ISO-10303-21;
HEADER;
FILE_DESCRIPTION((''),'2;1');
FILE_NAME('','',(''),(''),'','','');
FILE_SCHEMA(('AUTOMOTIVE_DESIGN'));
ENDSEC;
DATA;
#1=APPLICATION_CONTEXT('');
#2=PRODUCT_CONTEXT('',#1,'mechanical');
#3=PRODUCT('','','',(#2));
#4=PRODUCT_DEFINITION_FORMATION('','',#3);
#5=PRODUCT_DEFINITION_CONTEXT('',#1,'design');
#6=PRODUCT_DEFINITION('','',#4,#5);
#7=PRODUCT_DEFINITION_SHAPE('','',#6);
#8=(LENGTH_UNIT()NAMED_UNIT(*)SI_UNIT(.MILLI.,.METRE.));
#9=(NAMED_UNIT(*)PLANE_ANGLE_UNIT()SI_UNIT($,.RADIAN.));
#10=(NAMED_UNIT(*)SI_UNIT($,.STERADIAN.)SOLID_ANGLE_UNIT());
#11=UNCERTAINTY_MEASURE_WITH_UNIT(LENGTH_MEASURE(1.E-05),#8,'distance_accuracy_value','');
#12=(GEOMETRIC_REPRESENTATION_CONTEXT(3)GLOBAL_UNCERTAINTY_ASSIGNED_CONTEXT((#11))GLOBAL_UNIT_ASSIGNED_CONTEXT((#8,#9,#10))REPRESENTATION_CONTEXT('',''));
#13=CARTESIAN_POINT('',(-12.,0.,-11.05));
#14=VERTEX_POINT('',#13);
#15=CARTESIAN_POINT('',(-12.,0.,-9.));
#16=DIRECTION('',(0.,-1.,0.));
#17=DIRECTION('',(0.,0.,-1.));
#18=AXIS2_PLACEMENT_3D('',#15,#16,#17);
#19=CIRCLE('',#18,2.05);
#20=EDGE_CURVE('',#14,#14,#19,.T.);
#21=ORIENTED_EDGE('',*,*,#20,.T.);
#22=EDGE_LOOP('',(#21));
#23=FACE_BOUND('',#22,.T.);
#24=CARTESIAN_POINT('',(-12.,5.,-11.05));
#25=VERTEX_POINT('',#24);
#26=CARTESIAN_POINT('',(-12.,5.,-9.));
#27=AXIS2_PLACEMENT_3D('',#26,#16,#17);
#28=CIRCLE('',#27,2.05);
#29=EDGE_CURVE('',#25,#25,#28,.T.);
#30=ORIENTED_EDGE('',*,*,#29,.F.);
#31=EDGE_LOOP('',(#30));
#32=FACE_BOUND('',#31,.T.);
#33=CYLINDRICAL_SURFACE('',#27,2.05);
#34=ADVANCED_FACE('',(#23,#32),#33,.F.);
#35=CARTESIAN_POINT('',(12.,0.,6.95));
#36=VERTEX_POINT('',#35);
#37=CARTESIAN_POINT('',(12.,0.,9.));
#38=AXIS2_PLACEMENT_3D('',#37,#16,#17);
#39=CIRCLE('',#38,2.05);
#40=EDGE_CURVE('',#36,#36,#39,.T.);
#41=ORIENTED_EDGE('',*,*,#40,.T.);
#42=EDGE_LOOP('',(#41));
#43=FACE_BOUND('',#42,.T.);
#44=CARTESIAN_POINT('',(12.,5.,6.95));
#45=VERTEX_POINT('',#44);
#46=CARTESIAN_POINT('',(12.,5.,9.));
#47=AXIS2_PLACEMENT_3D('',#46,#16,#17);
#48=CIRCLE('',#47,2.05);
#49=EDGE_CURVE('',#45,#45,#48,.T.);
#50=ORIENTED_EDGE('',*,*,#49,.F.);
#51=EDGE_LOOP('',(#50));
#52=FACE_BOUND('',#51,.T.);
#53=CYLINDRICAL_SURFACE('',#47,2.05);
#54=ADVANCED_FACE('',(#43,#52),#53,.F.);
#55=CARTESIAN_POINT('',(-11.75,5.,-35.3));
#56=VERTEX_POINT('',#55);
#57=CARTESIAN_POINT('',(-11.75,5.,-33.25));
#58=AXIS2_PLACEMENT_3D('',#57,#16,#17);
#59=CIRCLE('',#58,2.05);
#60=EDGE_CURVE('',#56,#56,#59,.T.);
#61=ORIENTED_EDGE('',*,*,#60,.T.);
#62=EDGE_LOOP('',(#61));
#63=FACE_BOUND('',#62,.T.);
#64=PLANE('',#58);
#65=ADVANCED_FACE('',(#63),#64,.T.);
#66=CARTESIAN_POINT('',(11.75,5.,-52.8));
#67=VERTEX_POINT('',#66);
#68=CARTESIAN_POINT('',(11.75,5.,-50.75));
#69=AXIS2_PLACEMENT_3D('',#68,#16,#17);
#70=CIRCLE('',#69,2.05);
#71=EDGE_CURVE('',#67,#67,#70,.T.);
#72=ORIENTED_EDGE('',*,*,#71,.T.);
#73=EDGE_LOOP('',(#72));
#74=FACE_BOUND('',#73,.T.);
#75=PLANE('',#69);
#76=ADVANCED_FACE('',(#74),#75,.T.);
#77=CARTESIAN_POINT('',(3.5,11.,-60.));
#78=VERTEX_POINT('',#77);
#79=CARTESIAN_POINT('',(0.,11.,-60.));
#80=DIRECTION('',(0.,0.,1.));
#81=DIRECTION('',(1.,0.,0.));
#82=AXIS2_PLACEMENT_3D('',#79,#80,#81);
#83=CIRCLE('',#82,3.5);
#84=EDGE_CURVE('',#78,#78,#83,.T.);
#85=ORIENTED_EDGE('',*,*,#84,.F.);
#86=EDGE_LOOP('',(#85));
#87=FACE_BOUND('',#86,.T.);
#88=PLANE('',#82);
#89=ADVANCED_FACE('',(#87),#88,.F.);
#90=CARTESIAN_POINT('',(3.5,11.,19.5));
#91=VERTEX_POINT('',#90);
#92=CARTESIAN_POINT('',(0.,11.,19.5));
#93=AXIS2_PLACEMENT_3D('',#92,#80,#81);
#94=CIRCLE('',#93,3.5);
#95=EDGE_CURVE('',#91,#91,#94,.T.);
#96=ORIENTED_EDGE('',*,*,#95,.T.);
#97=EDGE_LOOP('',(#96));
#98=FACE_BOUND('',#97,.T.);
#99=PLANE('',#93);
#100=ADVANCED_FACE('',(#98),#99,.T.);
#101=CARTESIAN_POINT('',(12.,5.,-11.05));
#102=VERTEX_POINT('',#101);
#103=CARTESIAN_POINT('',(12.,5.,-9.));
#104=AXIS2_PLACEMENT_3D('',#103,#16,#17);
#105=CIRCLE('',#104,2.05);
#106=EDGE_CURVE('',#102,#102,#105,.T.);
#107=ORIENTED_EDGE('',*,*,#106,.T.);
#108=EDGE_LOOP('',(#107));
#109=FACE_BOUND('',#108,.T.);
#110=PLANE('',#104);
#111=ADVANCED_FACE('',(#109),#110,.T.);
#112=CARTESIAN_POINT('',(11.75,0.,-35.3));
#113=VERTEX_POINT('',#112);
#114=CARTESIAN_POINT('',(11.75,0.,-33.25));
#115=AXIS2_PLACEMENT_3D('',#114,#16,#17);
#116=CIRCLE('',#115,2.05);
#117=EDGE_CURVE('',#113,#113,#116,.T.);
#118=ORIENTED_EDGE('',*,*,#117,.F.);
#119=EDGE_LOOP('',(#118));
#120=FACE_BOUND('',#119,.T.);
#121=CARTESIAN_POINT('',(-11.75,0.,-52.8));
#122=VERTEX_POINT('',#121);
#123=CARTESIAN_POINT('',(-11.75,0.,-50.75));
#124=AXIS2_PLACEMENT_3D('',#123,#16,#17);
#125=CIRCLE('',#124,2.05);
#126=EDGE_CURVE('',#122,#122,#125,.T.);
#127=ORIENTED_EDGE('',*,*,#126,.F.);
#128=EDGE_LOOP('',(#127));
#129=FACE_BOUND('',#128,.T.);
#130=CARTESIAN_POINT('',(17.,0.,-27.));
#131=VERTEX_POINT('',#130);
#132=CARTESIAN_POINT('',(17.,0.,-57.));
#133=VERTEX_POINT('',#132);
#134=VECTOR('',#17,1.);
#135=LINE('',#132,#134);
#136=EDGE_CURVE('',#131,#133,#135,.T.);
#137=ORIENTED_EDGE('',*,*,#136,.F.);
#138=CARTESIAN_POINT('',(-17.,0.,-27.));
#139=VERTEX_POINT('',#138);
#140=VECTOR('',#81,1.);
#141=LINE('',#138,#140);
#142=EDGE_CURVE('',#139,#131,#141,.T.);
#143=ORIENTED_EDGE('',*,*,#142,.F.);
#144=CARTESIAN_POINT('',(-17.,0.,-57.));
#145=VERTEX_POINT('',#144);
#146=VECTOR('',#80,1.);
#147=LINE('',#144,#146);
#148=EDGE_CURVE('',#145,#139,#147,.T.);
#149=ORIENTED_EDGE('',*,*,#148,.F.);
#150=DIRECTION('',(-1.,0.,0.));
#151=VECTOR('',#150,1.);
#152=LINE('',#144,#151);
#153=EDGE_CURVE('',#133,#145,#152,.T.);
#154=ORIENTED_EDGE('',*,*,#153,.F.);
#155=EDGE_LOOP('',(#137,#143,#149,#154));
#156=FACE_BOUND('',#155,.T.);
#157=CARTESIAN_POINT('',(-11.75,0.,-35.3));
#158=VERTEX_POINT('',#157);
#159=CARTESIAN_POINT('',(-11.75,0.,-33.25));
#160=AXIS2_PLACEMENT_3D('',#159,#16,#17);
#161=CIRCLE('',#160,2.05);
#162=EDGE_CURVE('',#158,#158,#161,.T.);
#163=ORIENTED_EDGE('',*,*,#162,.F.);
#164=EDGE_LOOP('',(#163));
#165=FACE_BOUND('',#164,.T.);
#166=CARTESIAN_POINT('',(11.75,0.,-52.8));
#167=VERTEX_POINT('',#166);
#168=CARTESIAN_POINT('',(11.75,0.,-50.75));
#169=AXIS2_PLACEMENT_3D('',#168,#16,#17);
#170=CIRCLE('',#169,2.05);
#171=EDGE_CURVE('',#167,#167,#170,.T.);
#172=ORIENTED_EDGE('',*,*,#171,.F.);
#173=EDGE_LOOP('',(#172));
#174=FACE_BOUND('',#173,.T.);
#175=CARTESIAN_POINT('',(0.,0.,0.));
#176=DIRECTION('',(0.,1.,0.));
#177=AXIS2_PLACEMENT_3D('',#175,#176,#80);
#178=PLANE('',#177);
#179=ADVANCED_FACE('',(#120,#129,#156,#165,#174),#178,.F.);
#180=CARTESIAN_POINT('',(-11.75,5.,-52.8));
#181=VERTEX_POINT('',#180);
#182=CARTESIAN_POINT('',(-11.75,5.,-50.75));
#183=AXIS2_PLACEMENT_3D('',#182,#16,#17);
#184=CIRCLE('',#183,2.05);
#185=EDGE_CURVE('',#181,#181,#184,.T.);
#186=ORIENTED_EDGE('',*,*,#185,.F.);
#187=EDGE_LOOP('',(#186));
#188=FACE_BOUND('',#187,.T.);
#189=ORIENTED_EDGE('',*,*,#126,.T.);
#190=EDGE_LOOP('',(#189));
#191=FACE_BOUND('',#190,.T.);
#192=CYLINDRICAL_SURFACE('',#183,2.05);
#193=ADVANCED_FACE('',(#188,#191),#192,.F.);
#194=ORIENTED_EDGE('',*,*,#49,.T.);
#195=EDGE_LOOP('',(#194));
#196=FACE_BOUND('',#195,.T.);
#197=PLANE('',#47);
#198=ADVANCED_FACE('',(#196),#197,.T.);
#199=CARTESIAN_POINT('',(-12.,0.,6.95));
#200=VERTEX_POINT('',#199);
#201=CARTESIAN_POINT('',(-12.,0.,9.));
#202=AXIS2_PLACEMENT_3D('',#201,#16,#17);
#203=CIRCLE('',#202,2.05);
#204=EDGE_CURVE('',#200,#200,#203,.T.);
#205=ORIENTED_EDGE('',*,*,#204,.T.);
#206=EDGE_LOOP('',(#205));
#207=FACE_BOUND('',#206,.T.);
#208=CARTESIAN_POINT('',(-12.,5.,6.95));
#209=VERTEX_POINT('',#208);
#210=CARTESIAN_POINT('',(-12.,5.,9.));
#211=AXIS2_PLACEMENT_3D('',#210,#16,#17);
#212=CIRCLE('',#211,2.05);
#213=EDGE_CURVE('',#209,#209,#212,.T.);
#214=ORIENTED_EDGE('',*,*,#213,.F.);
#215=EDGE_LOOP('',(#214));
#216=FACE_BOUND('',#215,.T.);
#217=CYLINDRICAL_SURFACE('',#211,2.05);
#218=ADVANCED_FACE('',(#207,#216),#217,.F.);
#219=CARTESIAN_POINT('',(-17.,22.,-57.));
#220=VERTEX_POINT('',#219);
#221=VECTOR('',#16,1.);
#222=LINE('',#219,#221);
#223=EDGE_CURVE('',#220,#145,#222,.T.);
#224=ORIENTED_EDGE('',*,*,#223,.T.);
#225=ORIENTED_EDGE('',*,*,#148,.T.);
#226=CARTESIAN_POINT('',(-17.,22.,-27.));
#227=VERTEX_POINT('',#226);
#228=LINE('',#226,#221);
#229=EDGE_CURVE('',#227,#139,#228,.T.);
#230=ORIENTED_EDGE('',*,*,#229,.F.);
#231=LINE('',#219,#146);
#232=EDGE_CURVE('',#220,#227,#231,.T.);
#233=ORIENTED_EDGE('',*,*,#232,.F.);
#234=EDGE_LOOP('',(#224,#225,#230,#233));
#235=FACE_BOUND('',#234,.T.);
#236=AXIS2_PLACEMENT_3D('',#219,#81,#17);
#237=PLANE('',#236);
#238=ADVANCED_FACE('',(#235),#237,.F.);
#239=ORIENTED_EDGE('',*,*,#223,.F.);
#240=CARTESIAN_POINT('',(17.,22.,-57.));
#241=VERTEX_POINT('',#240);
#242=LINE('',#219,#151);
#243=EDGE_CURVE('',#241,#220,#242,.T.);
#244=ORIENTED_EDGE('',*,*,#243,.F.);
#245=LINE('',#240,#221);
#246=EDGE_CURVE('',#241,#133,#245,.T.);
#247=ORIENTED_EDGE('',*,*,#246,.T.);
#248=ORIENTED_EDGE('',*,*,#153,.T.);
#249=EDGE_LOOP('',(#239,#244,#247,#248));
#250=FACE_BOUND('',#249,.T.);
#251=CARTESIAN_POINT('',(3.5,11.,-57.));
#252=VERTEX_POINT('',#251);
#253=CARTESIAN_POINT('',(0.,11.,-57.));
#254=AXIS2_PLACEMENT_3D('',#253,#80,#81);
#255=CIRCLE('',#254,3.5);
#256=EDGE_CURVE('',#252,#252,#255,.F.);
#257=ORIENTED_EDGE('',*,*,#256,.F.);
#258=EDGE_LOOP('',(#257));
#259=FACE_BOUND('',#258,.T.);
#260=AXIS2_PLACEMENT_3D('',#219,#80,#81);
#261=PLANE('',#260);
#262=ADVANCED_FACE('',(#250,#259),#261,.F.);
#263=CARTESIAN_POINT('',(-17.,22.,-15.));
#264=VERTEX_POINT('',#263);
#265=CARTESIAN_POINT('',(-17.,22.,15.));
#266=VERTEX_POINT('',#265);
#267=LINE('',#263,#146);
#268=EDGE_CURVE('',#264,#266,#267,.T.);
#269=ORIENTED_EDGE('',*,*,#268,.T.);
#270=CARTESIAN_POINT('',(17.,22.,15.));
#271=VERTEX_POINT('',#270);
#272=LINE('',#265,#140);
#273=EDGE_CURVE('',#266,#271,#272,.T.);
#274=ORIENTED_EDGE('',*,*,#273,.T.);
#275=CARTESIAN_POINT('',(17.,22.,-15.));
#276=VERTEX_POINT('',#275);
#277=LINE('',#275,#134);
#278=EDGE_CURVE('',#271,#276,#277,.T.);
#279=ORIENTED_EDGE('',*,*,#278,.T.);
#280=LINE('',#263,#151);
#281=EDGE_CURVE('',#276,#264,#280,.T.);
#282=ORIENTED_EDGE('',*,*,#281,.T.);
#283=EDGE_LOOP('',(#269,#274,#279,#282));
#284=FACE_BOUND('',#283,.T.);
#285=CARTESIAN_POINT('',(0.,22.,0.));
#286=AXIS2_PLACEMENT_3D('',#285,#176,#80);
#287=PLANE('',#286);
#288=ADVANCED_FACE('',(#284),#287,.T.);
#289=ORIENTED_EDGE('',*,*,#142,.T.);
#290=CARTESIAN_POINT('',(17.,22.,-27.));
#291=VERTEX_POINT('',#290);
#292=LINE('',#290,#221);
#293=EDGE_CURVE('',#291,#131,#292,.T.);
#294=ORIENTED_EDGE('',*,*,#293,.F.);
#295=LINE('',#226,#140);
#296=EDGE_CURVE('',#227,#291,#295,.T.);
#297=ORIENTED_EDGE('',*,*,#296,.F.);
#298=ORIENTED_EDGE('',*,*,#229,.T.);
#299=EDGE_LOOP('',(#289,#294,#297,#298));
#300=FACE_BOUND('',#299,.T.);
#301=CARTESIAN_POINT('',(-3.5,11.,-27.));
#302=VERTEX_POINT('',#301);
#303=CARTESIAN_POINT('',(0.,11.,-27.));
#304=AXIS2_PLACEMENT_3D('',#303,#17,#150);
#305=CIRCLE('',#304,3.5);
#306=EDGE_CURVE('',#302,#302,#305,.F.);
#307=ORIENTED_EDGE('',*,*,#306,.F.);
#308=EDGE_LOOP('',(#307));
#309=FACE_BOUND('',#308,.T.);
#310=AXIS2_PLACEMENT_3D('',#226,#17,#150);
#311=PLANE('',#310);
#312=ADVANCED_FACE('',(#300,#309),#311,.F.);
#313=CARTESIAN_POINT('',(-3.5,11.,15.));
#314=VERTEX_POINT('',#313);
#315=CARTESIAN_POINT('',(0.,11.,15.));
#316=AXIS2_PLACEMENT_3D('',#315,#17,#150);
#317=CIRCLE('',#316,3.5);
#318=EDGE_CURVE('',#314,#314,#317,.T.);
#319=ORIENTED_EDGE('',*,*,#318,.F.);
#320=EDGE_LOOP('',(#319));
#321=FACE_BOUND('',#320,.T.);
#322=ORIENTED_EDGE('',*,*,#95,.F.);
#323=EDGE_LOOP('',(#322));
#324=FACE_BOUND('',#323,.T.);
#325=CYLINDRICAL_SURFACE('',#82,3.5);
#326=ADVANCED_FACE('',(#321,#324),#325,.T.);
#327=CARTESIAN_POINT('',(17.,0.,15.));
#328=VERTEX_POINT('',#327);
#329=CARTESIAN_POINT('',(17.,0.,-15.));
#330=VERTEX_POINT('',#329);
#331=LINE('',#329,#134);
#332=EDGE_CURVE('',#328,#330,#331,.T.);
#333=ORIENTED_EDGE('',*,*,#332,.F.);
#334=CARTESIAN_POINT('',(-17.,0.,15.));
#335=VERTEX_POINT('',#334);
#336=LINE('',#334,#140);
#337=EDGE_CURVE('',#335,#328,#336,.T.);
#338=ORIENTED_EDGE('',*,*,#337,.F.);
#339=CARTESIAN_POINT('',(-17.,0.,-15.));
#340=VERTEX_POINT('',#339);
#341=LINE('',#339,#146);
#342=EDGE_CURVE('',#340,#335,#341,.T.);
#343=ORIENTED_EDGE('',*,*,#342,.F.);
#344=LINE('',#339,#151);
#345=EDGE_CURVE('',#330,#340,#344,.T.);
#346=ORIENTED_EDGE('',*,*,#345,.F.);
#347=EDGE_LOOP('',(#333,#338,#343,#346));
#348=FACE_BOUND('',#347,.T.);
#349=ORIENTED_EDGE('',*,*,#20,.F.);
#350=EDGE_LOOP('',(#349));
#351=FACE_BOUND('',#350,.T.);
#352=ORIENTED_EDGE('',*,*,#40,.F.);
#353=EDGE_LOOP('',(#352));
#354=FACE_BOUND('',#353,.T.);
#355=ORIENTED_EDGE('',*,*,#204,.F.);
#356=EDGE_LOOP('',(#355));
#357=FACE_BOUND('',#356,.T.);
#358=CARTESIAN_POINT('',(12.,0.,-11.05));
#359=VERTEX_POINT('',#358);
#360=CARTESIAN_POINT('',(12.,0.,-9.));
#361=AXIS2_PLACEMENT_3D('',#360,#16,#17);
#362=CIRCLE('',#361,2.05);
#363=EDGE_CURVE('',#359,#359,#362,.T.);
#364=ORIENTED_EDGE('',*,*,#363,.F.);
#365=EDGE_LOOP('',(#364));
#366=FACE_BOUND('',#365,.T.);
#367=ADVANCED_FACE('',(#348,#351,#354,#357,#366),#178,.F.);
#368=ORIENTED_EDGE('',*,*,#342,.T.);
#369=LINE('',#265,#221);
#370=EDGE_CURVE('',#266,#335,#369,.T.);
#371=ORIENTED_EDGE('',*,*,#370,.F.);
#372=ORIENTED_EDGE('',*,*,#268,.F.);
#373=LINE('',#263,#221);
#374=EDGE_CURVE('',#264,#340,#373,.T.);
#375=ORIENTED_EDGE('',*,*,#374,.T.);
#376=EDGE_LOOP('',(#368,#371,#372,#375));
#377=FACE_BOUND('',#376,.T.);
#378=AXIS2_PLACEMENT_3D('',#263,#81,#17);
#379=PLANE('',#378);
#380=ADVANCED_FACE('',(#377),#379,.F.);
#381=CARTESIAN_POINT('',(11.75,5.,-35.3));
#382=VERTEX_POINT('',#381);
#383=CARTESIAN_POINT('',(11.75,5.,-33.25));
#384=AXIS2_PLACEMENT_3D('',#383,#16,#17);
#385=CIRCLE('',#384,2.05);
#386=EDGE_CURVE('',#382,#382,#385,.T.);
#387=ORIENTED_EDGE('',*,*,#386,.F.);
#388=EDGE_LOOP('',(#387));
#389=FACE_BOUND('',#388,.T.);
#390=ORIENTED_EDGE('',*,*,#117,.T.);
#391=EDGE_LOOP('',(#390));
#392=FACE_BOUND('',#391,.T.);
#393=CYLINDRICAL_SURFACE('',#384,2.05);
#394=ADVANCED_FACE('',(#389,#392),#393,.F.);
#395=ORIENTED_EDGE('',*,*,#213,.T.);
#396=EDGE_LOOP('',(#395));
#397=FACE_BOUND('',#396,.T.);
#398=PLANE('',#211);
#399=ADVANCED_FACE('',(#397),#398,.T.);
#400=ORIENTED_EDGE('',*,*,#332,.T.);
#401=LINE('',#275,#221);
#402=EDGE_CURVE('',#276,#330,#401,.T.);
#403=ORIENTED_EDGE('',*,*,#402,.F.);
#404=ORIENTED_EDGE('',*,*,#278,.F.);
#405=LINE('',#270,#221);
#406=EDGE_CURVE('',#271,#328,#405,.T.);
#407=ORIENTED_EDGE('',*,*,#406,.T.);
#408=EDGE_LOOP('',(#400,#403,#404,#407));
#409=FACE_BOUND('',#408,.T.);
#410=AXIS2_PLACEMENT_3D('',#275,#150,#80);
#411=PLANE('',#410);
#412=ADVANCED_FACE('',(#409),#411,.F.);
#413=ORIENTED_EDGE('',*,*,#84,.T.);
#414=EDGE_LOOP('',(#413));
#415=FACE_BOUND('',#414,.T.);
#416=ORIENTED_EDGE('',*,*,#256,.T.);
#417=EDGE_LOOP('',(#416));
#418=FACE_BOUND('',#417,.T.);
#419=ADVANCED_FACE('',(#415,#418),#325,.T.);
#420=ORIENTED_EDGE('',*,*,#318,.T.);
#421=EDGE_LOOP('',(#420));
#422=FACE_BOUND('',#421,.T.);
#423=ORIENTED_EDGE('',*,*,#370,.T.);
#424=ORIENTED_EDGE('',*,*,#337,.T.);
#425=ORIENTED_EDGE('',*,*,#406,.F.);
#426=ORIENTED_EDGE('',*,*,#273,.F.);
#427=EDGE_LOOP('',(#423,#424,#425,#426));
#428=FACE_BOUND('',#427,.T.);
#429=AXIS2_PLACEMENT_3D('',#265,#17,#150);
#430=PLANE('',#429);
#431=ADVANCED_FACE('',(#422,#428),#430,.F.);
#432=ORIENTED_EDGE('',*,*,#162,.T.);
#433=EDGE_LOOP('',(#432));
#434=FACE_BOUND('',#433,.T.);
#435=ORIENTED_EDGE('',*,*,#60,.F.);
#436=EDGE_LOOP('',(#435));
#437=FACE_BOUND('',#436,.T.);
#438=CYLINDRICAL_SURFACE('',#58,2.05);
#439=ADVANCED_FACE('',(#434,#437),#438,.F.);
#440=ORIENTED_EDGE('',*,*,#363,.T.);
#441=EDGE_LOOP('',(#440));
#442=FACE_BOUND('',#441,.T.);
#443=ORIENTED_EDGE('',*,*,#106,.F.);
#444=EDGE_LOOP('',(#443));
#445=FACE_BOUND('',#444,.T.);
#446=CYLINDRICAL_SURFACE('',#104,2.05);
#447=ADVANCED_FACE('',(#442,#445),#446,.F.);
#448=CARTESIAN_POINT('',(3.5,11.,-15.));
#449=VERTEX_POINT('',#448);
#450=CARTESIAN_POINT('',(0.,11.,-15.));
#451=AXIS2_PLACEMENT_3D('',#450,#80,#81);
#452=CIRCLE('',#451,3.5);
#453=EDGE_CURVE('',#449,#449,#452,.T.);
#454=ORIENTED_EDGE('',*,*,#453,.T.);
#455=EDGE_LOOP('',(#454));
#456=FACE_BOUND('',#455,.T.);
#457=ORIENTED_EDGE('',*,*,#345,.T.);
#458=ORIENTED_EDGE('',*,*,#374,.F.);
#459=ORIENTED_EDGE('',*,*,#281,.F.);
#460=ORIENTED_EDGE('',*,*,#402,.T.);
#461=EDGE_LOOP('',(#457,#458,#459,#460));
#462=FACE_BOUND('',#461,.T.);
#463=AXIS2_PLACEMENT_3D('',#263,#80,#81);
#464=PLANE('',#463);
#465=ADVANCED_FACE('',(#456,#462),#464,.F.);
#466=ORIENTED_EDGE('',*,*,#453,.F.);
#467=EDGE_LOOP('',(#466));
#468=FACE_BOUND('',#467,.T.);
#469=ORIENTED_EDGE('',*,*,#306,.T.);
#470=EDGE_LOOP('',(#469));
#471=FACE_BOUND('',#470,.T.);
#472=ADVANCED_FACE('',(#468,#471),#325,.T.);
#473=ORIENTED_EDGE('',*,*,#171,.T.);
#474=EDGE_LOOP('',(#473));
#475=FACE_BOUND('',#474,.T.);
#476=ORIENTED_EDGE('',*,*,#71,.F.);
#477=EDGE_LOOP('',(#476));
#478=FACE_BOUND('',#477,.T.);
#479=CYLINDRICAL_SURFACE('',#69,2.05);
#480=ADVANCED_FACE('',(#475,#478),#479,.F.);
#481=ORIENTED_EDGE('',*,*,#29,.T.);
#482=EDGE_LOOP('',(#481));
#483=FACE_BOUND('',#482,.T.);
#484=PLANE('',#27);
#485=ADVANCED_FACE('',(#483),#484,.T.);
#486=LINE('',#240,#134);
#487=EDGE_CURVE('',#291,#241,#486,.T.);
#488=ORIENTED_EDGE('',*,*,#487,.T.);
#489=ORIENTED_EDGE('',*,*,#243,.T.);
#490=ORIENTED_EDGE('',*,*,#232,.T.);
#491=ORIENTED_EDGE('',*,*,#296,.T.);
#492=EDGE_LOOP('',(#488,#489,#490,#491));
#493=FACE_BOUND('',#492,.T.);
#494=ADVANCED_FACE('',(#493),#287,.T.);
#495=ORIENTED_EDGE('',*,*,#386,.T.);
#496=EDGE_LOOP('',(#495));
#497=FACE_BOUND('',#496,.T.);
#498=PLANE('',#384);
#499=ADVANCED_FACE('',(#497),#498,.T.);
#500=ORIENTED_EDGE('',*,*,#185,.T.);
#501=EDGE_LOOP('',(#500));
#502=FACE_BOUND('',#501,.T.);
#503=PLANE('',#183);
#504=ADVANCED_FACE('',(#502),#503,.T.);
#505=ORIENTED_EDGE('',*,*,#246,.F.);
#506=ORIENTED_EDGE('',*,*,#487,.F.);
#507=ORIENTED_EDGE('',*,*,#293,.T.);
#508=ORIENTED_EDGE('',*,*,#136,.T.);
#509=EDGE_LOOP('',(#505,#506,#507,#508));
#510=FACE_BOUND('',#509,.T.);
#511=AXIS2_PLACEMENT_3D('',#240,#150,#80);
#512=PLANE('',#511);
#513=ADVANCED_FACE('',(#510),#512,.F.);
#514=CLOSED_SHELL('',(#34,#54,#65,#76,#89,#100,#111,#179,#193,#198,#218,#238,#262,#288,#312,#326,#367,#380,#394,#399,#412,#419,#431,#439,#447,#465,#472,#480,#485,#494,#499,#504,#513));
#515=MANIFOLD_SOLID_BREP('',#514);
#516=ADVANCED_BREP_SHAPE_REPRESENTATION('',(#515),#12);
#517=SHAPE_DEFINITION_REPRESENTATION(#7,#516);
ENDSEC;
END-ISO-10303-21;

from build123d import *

# Parameters (mm, degrees)
SKETCH_1_W           = 34
SKETCH_1_H           = 30
EXTRUDE_1_DEPTH      = 22
EXTRUDE_1_2_DEPTH    = 22
EXTRUDE_2_DEPTH      = 4.5
EXTRUDE_2_DEPTH_BACK = 75
SKETCH_2_R           = 3.5
SKETCH_3_R           = 2.05
CUT_EXTRUDE_1_DEPTH  = 5


with BuildPart() as part:
    # 草图1 → 凸台-拉伸1 (new body)
    with BuildSketch(Plane(origin=(0, 0, 0), x_dir=(1, 0, 0), z_dir=(0, 1, 0))):
        Rectangle(SKETCH_1_W, SKETCH_1_H)
    extrude(amount=EXTRUDE_1_DEPTH)



with BuildPart() as body_2:
    # 草图1 → Extrude 1 2 (new body)
    with BuildSketch(Plane(origin=(0, 0, 0), x_dir=(1, 0, 0), z_dir=(0, 1, 0))):
        with Locations((0, 42)):
            Rectangle(SKETCH_1_W, SKETCH_1_H)
    extrude(amount=EXTRUDE_1_2_DEPTH)


with BuildPart() as part_1:
    add(part.part)

    add(body_2.part)  # 凸台-拉伸2 merges body 2
    # 草图2 → 凸台-拉伸2 (add, two sides: drawn at the far end of the back side and taken through both)
    with BuildSketch(Plane.XY.offset(15).offset(-EXTRUDE_2_DEPTH_BACK)):
        with Locations((0, 11)):
            Circle(SKETCH_2_R)
    extrude(amount=EXTRUDE_2_DEPTH + EXTRUDE_2_DEPTH_BACK)

    # 草图3 → 切除-拉伸1 (cut)
    with BuildSketch(Plane(origin=(0, 0, 0), x_dir=(-1, 0, 0), z_dir=(0, -1, 0))):
        with Locations(Location((-11.75, 33.25, 0), (0, 0, 90))):
            Circle(SKETCH_3_R)
        with Locations(Location((11.75, 33.25, 0), (0, 0, 90))):
            Circle(SKETCH_3_R)
        with Locations(Location((11.75, 50.75, 0), (0, 0, 90))):
            Circle(SKETCH_3_R)
        with Locations(Location((-11.75, 50.75, 0), (0, 0, 90))):
            Circle(SKETCH_3_R)
        with Locations(Location((-12, -9, 0), (0, 0, 90))):
            Circle(SKETCH_3_R)
        with Locations(Location((-12, 9, 0), (0, 0, 90))):
            Circle(SKETCH_3_R)
        with Locations(Location((12, 9, 0), (0, 0, 90))):
            Circle(SKETCH_3_R)
        with Locations(Location((12, -9, 0), (0, 0, 90))):
            Circle(SKETCH_3_R)
    extrude(amount=-CUT_EXTRUDE_1_DEPTH, mode=Mode.SUBTRACT)


solid = part_1.part
